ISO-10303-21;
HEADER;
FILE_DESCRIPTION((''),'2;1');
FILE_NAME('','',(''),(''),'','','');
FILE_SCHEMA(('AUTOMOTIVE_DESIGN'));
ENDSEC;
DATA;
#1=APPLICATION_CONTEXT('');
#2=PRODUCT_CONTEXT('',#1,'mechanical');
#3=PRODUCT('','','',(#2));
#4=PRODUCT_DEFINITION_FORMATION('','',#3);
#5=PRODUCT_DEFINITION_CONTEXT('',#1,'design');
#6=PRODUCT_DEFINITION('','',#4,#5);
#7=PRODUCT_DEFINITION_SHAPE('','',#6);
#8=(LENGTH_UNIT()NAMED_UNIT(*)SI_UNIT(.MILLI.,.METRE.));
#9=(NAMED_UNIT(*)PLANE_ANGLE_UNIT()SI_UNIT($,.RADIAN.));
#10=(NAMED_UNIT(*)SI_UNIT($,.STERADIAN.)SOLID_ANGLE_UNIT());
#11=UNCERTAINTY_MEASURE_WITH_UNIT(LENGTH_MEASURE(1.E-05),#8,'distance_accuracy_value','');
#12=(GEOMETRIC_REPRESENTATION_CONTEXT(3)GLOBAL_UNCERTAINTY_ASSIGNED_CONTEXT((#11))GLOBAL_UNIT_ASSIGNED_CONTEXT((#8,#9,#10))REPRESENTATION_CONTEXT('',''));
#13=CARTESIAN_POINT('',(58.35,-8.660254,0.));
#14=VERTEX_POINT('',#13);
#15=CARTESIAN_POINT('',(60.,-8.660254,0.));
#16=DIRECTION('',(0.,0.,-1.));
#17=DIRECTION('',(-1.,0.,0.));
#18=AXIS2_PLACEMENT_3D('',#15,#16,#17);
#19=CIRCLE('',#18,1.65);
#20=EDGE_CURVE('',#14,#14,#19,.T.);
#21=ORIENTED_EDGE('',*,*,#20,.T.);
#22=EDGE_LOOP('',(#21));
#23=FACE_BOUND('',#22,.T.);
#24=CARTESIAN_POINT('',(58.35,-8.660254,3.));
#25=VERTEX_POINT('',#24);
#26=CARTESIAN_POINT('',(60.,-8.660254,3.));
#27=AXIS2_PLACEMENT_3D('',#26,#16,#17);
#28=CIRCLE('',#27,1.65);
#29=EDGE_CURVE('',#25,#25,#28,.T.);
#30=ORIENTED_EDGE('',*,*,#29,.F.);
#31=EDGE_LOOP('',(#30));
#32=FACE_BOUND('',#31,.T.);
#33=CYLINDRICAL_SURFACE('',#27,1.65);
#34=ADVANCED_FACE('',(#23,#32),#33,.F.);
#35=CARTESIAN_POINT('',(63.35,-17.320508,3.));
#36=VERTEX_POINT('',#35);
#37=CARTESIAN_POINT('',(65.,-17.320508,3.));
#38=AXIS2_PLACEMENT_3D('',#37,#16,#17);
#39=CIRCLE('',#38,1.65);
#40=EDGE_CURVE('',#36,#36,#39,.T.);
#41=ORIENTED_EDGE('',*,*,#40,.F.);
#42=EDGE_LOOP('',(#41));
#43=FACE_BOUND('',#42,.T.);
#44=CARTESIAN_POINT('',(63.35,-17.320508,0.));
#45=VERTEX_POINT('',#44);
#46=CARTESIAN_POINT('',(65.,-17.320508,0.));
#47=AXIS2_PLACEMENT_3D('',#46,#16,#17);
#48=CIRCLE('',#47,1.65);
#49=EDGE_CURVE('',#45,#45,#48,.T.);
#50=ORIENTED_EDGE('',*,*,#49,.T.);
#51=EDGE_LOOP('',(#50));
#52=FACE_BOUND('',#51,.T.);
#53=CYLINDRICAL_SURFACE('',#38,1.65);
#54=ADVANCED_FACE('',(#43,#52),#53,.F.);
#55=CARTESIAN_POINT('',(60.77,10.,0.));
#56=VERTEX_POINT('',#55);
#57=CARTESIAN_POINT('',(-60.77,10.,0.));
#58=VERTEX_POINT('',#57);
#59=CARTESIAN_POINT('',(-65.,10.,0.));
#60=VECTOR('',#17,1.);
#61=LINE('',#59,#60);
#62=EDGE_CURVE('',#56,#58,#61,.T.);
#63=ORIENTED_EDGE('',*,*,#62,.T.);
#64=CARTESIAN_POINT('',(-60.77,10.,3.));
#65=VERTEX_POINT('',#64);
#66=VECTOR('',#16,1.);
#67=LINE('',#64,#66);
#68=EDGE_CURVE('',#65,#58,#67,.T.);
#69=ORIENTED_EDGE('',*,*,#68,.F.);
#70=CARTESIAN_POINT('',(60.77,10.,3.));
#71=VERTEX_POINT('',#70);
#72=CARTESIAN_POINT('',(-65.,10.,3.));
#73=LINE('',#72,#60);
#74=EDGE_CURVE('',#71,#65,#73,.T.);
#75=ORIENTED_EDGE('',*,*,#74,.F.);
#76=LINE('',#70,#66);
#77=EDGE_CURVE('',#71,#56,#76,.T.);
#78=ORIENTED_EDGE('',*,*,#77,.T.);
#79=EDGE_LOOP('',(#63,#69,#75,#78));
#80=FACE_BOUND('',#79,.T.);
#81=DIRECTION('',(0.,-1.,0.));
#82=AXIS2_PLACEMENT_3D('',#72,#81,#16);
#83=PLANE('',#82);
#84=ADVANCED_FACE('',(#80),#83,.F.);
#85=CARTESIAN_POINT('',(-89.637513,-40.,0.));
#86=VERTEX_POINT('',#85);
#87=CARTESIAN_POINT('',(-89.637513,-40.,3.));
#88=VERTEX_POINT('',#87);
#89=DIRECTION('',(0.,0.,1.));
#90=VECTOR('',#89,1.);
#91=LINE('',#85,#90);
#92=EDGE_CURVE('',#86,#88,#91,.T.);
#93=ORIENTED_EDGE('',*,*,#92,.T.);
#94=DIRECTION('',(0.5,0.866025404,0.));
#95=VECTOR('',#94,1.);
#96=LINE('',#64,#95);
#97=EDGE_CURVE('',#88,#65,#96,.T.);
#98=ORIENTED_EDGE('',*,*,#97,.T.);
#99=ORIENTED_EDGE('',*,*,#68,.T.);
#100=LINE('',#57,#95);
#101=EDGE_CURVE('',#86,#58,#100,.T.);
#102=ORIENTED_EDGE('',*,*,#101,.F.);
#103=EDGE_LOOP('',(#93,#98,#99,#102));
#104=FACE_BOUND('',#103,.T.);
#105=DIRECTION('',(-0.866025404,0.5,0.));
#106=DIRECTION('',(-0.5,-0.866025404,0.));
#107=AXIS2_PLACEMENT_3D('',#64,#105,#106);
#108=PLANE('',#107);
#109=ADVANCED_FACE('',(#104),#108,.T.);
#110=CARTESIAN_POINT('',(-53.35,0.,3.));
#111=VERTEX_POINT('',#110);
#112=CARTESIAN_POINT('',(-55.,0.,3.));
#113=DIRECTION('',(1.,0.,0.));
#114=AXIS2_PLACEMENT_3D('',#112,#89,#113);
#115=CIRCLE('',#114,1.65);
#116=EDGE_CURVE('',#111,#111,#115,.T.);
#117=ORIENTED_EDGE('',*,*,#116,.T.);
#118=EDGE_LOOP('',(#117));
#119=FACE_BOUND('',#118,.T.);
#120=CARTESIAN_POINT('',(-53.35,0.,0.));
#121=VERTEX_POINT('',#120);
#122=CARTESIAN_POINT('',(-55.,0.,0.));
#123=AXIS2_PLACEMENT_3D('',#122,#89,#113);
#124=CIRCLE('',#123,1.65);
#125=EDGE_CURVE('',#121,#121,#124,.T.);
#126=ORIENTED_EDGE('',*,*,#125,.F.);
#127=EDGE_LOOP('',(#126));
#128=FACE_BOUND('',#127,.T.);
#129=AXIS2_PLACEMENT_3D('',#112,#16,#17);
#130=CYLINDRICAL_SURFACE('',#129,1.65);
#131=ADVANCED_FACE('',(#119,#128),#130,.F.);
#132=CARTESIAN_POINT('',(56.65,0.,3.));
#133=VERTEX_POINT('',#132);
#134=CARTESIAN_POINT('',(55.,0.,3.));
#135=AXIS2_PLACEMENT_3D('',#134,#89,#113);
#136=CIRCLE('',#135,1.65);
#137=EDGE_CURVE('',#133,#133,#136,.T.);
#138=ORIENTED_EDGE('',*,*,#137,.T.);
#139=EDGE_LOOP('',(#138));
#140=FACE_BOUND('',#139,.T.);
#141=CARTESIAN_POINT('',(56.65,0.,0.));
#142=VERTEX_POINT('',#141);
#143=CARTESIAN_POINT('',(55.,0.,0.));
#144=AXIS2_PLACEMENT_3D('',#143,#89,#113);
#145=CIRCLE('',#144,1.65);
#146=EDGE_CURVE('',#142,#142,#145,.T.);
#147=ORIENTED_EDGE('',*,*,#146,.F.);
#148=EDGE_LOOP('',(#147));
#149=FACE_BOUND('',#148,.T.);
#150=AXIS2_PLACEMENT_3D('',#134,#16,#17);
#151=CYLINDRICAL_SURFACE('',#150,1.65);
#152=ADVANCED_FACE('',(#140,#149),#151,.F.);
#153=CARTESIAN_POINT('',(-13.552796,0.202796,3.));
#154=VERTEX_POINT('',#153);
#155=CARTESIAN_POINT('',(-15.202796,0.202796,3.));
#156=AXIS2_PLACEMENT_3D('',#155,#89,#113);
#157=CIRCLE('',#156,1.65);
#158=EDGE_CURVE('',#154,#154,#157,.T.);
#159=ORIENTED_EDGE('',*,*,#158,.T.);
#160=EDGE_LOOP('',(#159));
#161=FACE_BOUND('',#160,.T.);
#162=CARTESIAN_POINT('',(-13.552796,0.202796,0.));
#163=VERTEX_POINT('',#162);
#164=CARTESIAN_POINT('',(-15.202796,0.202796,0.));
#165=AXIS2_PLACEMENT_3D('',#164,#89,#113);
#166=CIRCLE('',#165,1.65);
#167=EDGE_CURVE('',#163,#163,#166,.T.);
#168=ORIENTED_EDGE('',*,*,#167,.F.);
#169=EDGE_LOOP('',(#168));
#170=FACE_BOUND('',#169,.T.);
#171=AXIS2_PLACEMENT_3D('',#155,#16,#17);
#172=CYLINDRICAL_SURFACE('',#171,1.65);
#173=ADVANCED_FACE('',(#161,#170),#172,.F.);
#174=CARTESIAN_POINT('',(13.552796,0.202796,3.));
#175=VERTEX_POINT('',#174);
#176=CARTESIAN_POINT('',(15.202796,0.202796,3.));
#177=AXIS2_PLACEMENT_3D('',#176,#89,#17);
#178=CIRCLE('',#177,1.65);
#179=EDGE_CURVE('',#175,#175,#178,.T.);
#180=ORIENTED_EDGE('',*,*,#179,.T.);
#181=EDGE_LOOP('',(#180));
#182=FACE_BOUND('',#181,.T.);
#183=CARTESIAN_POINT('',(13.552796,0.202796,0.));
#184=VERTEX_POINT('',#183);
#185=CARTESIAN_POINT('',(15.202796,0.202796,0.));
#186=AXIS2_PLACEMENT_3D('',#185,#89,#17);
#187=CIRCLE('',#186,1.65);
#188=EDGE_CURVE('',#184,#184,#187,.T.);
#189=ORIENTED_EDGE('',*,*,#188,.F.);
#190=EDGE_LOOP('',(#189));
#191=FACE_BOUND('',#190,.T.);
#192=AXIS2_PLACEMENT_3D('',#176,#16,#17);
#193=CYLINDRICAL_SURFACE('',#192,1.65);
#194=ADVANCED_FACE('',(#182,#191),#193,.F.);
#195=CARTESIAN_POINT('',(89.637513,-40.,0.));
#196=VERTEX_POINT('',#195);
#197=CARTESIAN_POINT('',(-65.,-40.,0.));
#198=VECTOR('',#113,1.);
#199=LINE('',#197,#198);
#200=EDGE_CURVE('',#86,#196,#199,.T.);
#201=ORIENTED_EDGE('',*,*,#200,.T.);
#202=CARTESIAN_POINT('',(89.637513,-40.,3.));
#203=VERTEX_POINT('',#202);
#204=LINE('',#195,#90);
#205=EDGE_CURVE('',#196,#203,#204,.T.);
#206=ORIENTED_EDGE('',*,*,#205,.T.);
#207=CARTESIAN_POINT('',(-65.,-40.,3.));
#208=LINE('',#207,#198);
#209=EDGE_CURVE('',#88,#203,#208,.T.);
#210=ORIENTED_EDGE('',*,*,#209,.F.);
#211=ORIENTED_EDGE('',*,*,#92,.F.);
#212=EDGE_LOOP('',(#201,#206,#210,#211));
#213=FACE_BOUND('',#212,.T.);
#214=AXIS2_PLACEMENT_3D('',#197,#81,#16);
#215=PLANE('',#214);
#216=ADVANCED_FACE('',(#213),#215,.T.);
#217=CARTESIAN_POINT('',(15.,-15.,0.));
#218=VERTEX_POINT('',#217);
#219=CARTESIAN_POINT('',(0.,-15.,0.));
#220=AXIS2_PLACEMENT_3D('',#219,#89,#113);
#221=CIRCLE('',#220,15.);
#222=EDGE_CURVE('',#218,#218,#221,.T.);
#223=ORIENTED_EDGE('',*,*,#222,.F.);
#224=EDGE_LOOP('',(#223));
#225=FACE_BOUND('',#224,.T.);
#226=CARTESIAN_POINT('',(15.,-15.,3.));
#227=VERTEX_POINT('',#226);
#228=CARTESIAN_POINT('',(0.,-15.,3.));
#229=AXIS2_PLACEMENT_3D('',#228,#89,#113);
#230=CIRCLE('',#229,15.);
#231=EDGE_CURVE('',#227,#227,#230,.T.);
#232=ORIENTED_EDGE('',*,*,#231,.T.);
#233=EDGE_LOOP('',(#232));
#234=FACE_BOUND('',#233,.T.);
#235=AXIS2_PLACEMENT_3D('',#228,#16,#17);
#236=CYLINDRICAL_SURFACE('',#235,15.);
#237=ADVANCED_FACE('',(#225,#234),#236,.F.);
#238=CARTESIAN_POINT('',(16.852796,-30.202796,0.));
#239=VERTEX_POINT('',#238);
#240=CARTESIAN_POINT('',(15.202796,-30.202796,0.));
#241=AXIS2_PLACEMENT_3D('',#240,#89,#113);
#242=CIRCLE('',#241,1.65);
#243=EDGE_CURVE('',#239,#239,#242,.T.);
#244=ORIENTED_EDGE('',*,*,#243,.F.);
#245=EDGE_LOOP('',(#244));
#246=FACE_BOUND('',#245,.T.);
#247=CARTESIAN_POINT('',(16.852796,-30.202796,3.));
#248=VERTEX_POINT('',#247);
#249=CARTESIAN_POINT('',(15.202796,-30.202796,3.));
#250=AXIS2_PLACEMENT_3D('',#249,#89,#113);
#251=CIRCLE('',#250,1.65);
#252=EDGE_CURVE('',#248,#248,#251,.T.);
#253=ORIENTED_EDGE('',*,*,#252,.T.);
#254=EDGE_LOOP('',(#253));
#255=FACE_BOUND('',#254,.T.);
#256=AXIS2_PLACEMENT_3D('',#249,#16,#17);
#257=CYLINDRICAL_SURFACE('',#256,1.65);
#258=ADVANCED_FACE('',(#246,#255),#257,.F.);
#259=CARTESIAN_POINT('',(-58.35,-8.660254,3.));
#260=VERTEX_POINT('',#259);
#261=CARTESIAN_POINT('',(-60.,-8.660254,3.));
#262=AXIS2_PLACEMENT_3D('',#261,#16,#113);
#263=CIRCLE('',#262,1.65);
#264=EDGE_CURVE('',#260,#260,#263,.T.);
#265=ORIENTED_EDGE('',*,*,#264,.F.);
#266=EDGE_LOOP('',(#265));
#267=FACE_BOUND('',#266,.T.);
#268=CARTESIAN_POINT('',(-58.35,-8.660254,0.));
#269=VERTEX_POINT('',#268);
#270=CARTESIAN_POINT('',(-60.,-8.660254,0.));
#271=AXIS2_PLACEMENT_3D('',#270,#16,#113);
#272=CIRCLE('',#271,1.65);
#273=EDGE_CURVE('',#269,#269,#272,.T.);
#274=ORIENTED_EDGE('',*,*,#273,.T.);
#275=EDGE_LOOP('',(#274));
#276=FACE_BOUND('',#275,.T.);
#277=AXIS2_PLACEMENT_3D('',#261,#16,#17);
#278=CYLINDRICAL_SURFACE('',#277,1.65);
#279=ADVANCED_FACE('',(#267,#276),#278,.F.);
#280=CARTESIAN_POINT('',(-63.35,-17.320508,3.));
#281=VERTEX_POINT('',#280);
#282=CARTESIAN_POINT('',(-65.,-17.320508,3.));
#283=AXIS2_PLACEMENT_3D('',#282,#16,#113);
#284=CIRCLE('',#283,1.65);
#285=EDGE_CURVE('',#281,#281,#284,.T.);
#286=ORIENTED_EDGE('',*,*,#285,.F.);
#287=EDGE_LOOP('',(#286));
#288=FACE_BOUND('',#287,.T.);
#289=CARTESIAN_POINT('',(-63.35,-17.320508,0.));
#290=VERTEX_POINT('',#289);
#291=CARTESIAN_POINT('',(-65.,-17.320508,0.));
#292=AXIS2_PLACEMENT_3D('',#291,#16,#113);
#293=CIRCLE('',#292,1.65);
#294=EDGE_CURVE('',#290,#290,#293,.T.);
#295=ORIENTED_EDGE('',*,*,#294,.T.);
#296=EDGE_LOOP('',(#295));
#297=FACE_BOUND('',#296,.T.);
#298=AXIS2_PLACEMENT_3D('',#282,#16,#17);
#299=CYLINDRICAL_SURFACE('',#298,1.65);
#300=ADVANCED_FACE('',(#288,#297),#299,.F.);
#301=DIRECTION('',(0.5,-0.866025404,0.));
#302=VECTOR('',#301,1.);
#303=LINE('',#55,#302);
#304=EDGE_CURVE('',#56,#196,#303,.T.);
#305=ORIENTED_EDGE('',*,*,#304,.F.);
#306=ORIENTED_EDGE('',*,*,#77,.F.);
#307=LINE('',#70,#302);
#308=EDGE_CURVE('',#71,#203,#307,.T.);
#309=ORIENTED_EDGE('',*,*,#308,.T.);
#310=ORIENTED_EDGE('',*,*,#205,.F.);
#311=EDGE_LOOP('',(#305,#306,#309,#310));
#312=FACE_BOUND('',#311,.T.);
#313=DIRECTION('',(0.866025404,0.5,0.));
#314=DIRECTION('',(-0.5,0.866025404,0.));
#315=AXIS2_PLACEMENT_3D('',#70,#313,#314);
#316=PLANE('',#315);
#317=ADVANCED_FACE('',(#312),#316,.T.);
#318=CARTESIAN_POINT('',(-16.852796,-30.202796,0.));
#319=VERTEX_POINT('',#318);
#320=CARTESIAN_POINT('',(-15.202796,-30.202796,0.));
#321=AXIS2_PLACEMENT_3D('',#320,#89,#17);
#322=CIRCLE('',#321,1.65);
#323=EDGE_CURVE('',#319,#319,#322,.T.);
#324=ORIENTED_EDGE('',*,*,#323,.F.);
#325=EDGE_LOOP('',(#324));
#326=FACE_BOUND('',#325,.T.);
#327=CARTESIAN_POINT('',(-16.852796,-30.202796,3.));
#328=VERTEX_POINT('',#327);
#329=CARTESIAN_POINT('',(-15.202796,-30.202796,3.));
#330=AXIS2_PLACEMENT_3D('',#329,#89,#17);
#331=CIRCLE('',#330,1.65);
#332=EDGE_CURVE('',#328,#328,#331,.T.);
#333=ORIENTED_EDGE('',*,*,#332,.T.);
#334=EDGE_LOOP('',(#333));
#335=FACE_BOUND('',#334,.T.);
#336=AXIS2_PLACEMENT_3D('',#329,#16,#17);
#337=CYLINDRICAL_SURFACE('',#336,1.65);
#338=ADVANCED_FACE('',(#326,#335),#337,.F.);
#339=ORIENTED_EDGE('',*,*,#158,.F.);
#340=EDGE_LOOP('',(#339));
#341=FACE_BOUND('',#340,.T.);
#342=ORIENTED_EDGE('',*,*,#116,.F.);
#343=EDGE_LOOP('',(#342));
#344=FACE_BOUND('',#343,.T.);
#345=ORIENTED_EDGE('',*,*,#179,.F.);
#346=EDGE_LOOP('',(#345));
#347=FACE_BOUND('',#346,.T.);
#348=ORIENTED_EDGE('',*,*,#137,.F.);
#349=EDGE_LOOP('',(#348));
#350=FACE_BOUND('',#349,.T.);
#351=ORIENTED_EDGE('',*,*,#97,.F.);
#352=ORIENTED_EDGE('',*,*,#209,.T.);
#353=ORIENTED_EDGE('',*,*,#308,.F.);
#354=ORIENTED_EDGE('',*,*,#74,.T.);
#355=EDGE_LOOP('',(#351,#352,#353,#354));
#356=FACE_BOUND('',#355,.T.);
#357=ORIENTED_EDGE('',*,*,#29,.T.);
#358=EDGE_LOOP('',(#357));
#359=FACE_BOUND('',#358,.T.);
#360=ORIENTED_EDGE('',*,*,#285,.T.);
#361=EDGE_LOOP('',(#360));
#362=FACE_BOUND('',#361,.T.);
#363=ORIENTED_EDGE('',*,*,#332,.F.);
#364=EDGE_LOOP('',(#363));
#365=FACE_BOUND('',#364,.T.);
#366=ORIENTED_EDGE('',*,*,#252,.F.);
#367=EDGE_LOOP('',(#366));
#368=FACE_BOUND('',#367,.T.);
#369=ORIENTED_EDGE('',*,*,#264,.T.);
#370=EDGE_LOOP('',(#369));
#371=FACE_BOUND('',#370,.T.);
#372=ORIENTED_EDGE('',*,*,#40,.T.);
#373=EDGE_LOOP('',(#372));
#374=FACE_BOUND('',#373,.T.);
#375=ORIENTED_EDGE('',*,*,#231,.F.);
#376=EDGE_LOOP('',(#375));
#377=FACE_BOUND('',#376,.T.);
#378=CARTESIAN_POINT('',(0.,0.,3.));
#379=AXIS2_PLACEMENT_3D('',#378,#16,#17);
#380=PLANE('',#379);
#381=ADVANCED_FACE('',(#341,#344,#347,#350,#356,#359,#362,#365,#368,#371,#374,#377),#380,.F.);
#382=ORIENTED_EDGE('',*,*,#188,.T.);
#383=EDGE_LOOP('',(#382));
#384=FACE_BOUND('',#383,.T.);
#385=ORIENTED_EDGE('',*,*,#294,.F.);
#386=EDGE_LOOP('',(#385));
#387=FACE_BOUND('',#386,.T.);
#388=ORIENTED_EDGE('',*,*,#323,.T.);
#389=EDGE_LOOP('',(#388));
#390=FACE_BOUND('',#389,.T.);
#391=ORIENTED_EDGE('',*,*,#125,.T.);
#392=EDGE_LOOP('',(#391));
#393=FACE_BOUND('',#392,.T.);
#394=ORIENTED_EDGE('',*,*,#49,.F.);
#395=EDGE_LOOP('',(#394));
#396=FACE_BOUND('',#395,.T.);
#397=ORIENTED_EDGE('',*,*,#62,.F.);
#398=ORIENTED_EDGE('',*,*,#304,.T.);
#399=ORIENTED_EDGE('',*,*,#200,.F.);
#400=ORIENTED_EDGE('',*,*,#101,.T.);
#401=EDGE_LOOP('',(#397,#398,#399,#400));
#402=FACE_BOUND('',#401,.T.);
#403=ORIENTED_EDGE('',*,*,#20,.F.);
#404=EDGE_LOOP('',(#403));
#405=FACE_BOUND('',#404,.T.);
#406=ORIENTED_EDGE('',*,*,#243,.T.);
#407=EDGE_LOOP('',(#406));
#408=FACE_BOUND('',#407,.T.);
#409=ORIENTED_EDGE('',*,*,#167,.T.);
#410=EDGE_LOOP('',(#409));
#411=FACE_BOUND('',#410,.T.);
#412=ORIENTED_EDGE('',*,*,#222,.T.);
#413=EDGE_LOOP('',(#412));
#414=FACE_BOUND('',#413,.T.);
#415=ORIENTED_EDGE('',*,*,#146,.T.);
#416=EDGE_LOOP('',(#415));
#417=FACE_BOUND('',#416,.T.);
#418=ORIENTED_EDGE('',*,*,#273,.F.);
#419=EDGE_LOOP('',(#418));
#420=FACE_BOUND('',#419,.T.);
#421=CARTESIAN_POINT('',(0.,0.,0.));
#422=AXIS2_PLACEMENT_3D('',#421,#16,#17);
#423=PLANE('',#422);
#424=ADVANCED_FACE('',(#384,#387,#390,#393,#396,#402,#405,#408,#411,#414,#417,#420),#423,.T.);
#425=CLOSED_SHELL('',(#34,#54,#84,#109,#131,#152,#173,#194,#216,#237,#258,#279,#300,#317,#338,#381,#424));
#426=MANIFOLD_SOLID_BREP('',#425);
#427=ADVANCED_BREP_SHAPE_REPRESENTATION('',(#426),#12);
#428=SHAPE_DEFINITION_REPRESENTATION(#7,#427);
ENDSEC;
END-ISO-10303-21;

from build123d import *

# Parameters (mm, degrees)
SKETCH_1_W          = 130
SKETCH_1_H          = 20
SKETCH_1_R          = 1.65
EXTRUDE_1_DEPTH     = 3
SKETCH_2_W          = 130
SKETCH_2_H          = 30
EXTRUDE_2_DEPTH     = 3
SKETCH_3_R          = 15
SKETCH_3_R_2        = 1.65
CUT_EXTRUDE_1_DEPTH = 3
CUT_EXTRUDE_2_DEPTH = 3
EXTRUDE_3_DEPTH     = 3
SKETCH_6_R          = 1.65
CUT_EXTRUDE_3_DEPTH = 3


with BuildPart() as part:
    # 草图1 → 凸台-拉伸1 (new body)
    with BuildSketch(Plane.XY):
        Rectangle(SKETCH_1_W, SKETCH_1_H)
        with Locations((-55, 0)):
            Circle(SKETCH_1_R, mode=Mode.SUBTRACT)
        with Locations((55, 0)):
            Circle(SKETCH_1_R, mode=Mode.SUBTRACT)
    extrude(amount=EXTRUDE_1_DEPTH)

    # 草图2 → 凸台-拉伸2 (add)
    with BuildSketch(Plane.XY.offset(3)):
        with Locations((0, -25)):
            Rectangle(SKETCH_2_W, SKETCH_2_H)
    extrude(amount=-EXTRUDE_2_DEPTH)

    # 草图3 → 切除-拉伸1 (cut)
    with BuildSketch(Plane.XY):
        with Locations((0, -15)):
            Circle(SKETCH_3_R)
        with Locations((-15.202795796, 0.202795796)):
            Circle(SKETCH_3_R_2)
        with Locations(Location((-15.202795796, -30.202795796, 0), (0, 0, 180))):
            Circle(SKETCH_3_R_2)
        with Locations((15.202795796, -30.202795796)):
            Circle(SKETCH_3_R_2)
        with Locations(Location((15.202795796, 0.202795796, 0), (0, 0, 180))):
            Circle(SKETCH_3_R_2)
    extrude(amount=CUT_EXTRUDE_1_DEPTH, mode=Mode.SUBTRACT)

    # 草图4 → 切除-拉伸2 (cut)
    with BuildSketch(Plane.XY):
        Polygon((65, 10), (60.77, 10), (65, 2.673425084), align=None)
        Polygon((-65, 2.673425084), (-65, 10), (-60.77, 10), align=None)
    extrude(amount=CUT_EXTRUDE_2_DEPTH, mode=Mode.SUBTRACT)

    # 草图5 → 凸台-拉伸3 (add)
    with BuildSketch(Plane.XY.offset(3)):
        Polygon((-65, 2.673425084), (-89.637513459, -40), (-65, -40), align=None)
        Polygon((89.637513459, -40), (65, -40), (65, 2.673425084), align=None)
    extrude(amount=-EXTRUDE_3_DEPTH)

    # 草图6 → 切除-拉伸3 (cut)
    with BuildSketch(Plane(origin=(0, 0, 0), x_dir=(-1, 0, 0), z_dir=(0, 0, -1))):
        with Locations((-60, -8.660254038)):
            Circle(SKETCH_6_R)
        with Locations((-65, -17.320508076)):
            Circle(SKETCH_6_R)
        with Locations(Location((65, -17.320508076, 0), (0, 0, 180))):
            Circle(SKETCH_6_R)
        with Locations(Location((60, -8.660254038, 0), (0, 0, 180))):
            Circle(SKETCH_6_R)
    extrude(amount=-CUT_EXTRUDE_3_DEPTH, mode=Mode.SUBTRACT)


solid = part.part
